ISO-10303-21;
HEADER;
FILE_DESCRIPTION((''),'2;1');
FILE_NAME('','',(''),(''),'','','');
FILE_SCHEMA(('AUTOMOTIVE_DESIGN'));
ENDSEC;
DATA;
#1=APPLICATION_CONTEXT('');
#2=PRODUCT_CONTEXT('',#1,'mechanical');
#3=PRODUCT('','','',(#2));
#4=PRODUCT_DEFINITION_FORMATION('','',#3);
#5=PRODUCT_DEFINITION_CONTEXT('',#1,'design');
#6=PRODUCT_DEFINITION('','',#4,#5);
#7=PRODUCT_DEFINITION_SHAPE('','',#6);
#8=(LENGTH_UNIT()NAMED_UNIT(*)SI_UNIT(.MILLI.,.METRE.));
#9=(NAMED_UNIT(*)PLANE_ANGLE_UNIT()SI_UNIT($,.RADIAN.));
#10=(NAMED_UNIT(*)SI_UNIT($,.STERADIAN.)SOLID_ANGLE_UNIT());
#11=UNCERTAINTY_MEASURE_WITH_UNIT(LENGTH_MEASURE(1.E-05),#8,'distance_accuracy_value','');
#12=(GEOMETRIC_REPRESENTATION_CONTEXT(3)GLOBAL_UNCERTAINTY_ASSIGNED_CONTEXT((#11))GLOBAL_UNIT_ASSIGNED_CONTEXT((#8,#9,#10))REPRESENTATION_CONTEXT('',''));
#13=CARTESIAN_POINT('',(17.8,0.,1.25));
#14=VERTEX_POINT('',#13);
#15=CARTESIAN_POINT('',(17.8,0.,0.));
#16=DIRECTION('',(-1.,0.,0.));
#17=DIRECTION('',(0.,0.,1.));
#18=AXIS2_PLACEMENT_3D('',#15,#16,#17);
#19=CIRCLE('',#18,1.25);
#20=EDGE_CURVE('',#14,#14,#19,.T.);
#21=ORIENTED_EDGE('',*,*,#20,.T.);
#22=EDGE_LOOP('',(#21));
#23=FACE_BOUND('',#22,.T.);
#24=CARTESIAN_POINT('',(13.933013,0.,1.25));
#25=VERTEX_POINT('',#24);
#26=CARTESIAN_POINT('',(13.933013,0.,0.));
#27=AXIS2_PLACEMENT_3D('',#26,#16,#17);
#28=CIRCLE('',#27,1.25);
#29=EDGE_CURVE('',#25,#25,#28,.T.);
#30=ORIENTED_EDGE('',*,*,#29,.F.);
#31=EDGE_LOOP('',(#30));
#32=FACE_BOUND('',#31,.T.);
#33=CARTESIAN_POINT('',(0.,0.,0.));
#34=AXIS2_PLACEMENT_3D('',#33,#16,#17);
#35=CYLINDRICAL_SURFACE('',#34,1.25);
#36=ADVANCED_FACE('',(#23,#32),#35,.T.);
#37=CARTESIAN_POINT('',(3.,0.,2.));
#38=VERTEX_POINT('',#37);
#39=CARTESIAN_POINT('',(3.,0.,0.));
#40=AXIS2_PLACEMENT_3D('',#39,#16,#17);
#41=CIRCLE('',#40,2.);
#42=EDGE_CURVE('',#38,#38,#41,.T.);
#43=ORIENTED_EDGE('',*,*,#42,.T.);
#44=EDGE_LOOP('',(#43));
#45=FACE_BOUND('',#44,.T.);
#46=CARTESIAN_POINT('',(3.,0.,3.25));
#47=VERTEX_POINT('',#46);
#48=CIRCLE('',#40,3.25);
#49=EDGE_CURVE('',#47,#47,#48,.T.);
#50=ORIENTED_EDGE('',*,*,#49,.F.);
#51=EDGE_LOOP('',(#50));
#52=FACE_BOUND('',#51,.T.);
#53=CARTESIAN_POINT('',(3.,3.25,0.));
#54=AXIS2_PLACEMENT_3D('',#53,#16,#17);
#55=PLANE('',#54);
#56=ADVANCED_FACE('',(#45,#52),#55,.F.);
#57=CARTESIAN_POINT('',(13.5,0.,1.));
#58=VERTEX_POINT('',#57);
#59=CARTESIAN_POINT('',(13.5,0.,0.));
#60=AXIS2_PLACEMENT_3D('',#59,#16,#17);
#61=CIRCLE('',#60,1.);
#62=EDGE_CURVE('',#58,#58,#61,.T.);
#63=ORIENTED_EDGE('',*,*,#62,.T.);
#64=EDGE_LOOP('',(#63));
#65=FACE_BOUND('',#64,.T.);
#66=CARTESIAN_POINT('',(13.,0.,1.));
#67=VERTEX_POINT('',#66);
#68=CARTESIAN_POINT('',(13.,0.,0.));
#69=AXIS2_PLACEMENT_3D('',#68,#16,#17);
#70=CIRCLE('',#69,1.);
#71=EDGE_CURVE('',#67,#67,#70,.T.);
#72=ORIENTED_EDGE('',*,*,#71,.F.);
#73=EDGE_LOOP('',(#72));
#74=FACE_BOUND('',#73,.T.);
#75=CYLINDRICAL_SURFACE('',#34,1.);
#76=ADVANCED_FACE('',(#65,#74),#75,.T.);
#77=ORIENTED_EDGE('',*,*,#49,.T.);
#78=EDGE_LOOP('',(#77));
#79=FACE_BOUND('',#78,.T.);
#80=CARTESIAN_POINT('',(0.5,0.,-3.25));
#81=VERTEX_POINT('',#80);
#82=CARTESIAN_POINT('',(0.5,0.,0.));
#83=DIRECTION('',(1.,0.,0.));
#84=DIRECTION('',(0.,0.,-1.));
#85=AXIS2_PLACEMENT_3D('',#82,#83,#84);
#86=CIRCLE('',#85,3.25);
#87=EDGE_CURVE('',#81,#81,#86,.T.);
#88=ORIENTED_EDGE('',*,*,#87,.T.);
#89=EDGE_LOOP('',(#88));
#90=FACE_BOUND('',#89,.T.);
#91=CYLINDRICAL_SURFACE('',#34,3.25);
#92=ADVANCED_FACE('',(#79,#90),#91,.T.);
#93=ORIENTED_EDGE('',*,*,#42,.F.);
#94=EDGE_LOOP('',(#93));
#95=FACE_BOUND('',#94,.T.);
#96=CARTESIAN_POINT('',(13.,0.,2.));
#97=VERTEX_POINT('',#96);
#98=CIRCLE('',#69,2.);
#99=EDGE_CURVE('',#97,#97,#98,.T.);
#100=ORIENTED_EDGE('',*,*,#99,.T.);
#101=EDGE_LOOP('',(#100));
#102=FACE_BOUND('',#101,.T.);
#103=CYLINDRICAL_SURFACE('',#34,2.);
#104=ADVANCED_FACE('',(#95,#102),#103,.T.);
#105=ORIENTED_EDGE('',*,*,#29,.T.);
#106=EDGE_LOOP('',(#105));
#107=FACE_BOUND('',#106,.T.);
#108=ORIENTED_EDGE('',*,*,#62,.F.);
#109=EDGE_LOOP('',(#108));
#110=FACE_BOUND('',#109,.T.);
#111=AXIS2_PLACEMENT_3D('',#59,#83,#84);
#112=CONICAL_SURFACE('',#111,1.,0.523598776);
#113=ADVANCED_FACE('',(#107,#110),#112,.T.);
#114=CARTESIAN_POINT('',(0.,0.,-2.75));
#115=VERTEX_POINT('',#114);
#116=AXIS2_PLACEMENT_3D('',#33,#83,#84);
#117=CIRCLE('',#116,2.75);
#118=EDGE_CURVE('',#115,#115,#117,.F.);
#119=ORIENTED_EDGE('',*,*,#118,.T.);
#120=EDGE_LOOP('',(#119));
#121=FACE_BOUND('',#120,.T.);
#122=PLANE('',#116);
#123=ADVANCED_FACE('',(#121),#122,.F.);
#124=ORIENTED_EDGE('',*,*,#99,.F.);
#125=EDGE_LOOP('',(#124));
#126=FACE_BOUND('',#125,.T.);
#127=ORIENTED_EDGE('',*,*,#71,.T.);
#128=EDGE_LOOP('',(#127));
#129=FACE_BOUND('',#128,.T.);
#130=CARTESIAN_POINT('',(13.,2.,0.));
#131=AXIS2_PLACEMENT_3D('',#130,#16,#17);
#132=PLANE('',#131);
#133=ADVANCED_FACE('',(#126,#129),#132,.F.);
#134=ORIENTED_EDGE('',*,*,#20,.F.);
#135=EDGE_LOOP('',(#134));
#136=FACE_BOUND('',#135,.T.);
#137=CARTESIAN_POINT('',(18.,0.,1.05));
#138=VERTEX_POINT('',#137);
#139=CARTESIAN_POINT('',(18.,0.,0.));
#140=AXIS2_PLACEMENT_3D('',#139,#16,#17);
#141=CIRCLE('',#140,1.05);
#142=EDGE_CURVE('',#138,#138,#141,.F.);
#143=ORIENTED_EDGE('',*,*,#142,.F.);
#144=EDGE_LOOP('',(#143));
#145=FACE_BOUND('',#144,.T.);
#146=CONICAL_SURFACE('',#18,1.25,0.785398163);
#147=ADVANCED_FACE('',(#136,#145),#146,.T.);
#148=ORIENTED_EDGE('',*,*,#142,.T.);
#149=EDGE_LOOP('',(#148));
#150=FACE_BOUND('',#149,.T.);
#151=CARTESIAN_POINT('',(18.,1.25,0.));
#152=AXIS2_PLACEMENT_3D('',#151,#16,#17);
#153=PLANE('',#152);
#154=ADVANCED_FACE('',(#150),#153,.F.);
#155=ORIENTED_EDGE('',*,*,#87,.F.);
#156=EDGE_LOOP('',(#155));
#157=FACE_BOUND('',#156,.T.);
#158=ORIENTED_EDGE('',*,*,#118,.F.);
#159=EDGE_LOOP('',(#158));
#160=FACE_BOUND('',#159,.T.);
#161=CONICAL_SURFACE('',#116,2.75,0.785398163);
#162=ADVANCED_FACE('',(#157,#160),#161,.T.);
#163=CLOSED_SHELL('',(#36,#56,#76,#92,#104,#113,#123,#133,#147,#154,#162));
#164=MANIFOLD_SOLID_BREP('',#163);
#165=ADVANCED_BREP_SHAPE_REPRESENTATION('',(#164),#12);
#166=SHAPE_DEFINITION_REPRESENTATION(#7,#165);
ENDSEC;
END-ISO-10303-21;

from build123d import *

# Parameters (mm, degrees)
FASE1_SIZE = 0.5
FASE2_SIZE = 0.2


with BuildPart() as part:
    # Skizze1 → Rotation1 (revolve)
    with BuildSketch(Plane.XY):
        Polygon((0, 0), (0, 3.25), (3, 3.25), (3, 2), (13, 2), (13, 1.25), (18, 1.25), (18, 0), align=None)
    revolve(axis=Axis((0, 0, 0), (1, 0, 0)))

    # Fase1
    fase1_edges = [part.edges().sort_by_distance(p)[0] for p in [
        (0, -3.25, 0),
    ]]
    chamfer(fase1_edges, length=FASE1_SIZE)

    # Fase2
    fase2_edges = [part.edges().sort_by_distance(p)[0] for p in [
        (18, -1.25, 0),
    ]]
    chamfer(fase2_edges, length=FASE2_SIZE)

    # Skizze2 → Schnitt-Rotation1 (revolve, cut)
    with BuildSketch(Plane.XY):
        Polygon((13, 1.25), (13, 1), (13.5, 1), (13.933012702, 1.25), align=None)
    revolve(axis=Axis((0, 0, 0), (1, 0, 0)), mode=Mode.SUBTRACT)


solid = part.part
